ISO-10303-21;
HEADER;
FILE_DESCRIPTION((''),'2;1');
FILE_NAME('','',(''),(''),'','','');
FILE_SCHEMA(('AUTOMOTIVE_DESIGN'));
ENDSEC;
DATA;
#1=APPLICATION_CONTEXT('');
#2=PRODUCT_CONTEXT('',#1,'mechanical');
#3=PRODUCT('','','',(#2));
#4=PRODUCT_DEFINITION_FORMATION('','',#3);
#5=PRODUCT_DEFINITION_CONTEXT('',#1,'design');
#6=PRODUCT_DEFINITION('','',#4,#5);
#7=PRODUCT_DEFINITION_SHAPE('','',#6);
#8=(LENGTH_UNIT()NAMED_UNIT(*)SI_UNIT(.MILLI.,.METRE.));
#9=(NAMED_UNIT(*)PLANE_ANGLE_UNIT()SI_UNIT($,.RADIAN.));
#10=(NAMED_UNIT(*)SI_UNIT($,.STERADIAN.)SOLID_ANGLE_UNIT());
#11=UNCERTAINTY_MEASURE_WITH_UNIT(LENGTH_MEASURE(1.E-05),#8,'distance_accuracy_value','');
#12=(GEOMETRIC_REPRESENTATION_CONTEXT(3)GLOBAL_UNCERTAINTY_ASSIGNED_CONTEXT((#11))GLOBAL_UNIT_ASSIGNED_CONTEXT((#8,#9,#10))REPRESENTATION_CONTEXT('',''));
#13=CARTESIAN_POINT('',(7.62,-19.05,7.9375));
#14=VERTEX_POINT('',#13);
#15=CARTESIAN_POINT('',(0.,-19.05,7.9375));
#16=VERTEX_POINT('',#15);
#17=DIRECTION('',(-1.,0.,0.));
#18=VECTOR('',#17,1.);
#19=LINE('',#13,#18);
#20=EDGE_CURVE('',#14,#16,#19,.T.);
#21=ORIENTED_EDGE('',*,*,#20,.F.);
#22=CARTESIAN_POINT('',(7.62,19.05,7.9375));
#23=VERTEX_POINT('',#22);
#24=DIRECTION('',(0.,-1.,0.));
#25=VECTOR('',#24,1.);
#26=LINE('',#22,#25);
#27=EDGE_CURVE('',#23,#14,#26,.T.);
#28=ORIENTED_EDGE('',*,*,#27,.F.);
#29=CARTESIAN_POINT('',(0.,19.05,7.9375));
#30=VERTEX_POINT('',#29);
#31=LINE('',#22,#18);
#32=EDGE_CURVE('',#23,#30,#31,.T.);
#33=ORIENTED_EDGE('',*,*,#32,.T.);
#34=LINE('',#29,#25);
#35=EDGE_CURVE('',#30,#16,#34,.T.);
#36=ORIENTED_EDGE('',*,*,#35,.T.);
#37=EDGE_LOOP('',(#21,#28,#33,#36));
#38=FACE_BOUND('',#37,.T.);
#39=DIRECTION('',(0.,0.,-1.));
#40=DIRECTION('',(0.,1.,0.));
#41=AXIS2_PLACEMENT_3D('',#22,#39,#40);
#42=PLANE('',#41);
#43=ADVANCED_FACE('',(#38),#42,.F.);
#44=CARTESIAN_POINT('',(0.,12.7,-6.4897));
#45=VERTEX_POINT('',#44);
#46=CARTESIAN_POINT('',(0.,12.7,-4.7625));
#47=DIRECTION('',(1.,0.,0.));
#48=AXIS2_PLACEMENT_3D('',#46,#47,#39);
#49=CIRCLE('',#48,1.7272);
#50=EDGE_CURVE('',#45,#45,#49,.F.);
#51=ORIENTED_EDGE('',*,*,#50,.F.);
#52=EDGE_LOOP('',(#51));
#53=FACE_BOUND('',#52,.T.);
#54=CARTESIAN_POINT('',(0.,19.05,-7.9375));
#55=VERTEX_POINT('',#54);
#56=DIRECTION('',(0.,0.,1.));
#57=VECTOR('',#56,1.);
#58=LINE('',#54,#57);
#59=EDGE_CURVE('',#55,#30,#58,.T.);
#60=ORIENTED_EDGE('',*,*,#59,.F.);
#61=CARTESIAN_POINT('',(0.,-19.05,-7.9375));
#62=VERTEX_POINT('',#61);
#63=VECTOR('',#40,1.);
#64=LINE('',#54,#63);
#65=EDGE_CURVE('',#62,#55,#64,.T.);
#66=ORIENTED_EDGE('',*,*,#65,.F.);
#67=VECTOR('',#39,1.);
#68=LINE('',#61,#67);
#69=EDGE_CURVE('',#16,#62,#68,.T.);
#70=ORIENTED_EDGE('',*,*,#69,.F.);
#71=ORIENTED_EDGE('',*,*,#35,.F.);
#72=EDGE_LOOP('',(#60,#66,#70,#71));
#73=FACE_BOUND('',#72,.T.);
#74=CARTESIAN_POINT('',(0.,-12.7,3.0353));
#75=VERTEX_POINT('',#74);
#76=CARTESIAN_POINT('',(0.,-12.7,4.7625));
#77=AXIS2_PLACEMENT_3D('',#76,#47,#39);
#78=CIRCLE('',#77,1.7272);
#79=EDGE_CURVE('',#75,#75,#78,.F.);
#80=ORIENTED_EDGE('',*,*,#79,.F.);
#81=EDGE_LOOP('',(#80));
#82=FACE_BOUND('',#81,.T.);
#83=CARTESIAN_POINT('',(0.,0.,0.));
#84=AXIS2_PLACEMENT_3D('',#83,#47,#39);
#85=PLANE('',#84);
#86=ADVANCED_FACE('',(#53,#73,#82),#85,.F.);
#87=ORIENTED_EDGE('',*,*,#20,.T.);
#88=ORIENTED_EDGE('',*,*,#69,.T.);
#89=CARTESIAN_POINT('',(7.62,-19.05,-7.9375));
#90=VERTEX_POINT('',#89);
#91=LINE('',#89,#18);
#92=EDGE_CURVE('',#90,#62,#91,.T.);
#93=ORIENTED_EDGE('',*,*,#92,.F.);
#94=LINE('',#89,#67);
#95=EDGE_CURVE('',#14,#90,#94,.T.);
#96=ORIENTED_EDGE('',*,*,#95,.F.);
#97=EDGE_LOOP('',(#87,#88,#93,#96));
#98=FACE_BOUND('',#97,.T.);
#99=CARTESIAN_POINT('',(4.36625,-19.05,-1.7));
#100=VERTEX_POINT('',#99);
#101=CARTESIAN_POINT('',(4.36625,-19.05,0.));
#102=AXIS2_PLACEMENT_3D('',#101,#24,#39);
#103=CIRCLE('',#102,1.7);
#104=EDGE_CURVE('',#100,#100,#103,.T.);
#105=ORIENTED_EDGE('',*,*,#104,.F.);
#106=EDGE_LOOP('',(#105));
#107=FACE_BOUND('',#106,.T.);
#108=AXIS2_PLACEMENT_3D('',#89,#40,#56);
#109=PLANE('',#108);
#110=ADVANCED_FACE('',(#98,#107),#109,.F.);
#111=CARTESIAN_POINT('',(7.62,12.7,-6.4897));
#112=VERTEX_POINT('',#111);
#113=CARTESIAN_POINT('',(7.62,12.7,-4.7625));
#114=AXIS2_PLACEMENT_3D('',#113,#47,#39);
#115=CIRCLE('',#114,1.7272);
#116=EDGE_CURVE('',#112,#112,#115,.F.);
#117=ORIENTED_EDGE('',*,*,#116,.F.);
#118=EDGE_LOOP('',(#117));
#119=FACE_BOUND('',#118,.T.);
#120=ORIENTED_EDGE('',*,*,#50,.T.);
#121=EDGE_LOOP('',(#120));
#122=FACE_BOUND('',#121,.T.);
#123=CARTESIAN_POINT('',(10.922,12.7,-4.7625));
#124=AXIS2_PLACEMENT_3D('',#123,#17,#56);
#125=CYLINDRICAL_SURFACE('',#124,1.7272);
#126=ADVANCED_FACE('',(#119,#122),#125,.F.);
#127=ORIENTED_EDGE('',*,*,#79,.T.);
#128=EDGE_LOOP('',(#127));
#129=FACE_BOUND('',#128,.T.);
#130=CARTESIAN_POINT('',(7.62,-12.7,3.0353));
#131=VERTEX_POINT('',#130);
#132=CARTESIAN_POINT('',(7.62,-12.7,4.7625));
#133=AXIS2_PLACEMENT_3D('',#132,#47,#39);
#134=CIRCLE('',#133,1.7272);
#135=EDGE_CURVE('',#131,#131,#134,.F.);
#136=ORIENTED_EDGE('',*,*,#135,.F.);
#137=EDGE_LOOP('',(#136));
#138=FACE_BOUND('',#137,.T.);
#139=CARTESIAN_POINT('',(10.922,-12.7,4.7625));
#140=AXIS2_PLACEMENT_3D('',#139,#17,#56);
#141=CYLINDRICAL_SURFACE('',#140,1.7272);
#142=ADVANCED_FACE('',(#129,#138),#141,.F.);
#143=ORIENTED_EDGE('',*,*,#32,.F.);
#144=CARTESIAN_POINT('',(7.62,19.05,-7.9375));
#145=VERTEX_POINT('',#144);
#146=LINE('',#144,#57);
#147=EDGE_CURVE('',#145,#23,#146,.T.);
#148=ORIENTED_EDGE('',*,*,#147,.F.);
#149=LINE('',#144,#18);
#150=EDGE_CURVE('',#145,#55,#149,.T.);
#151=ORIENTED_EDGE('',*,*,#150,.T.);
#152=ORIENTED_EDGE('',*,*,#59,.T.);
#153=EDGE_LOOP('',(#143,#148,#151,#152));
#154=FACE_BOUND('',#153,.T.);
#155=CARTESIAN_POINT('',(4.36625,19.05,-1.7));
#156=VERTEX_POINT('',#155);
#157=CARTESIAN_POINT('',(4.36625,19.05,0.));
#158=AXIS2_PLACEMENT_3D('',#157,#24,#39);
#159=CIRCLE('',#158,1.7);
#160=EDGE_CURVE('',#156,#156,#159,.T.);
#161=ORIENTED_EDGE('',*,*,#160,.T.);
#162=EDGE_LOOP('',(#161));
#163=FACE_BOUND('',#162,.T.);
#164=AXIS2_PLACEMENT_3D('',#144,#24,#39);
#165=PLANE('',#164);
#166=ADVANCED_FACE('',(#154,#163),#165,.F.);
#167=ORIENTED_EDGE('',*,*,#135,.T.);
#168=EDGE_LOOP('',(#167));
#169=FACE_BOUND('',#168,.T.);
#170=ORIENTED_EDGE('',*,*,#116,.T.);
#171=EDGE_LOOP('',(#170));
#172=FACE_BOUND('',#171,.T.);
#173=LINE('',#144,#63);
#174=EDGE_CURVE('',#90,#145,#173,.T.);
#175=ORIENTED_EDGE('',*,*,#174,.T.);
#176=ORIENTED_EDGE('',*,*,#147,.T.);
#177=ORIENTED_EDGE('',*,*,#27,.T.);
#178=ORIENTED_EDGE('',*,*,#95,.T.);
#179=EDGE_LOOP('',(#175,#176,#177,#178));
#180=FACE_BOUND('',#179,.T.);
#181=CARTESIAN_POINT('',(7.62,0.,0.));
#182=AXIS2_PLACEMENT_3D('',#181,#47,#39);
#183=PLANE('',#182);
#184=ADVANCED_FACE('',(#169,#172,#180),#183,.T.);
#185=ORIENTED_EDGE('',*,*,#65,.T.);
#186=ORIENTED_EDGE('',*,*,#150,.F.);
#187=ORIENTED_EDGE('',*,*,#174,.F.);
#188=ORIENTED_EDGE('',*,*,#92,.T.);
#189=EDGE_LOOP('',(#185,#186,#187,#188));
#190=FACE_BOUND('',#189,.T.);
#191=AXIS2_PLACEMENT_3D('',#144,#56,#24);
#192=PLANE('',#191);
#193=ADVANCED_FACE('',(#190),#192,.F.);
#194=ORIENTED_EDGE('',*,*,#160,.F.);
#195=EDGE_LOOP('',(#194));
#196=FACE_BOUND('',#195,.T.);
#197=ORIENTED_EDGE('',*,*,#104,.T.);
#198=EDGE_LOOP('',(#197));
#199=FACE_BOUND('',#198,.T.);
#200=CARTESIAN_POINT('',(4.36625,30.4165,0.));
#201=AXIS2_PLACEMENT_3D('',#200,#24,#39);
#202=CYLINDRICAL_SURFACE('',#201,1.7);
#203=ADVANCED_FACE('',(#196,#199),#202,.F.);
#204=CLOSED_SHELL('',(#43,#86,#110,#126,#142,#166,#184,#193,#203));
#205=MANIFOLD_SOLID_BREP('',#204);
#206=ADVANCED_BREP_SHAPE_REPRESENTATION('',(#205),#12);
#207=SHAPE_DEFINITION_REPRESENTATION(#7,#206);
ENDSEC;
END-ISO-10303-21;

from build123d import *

# Parameters (mm, degrees)
SKETCH1_W               = 38.1
SKETCH1_H               = 15.875
BOSS_EXTRUDE1_DEPTH     = 7.62
SKETCH3_R               = 1.7
CUT_EXTRUDE1_DEPTH      = 49.4665
CUT_EXTRUDE2_DEPTH      = 3.302
CUT_EXTRUDE2_DEPTH_BACK = 22.2885
SKETCH4_R               = 1.7272


with BuildPart() as part:
    # Sketch1 → Boss-Extrude1 (new body)
    with BuildSketch(Plane.YZ):
        Rectangle(SKETCH1_W, SKETCH1_H)
    extrude(amount=BOSS_EXTRUDE1_DEPTH)

    # Sketch3 → Cut-Extrude1 (cut)
    with BuildSketch(Plane.XZ.offset(19.05)):
        with Locations(Location((4.36625, 0, 0), (0, 0, 270))):
            Circle(SKETCH3_R)
    extrude(amount=-CUT_EXTRUDE1_DEPTH, mode=Mode.SUBTRACT)

    # Sketch4 → Cut-Extrude2 (cut, two sides: drawn at the far end of the back side and taken through both)
    with BuildSketch(Plane.YZ.offset(7.62).offset(-CUT_EXTRUDE2_DEPTH_BACK)):
        with Locations(Location((-12.7, 4.7625, 0), (0, 0, 270))):
            Circle(SKETCH4_R)
        with Locations(Location((12.7, -4.7625, 0), (0, 0, 270))):
            Circle(SKETCH4_R)
    extrude(amount=CUT_EXTRUDE2_DEPTH + CUT_EXTRUDE2_DEPTH_BACK, mode=Mode.SUBTRACT)


solid = part.part
